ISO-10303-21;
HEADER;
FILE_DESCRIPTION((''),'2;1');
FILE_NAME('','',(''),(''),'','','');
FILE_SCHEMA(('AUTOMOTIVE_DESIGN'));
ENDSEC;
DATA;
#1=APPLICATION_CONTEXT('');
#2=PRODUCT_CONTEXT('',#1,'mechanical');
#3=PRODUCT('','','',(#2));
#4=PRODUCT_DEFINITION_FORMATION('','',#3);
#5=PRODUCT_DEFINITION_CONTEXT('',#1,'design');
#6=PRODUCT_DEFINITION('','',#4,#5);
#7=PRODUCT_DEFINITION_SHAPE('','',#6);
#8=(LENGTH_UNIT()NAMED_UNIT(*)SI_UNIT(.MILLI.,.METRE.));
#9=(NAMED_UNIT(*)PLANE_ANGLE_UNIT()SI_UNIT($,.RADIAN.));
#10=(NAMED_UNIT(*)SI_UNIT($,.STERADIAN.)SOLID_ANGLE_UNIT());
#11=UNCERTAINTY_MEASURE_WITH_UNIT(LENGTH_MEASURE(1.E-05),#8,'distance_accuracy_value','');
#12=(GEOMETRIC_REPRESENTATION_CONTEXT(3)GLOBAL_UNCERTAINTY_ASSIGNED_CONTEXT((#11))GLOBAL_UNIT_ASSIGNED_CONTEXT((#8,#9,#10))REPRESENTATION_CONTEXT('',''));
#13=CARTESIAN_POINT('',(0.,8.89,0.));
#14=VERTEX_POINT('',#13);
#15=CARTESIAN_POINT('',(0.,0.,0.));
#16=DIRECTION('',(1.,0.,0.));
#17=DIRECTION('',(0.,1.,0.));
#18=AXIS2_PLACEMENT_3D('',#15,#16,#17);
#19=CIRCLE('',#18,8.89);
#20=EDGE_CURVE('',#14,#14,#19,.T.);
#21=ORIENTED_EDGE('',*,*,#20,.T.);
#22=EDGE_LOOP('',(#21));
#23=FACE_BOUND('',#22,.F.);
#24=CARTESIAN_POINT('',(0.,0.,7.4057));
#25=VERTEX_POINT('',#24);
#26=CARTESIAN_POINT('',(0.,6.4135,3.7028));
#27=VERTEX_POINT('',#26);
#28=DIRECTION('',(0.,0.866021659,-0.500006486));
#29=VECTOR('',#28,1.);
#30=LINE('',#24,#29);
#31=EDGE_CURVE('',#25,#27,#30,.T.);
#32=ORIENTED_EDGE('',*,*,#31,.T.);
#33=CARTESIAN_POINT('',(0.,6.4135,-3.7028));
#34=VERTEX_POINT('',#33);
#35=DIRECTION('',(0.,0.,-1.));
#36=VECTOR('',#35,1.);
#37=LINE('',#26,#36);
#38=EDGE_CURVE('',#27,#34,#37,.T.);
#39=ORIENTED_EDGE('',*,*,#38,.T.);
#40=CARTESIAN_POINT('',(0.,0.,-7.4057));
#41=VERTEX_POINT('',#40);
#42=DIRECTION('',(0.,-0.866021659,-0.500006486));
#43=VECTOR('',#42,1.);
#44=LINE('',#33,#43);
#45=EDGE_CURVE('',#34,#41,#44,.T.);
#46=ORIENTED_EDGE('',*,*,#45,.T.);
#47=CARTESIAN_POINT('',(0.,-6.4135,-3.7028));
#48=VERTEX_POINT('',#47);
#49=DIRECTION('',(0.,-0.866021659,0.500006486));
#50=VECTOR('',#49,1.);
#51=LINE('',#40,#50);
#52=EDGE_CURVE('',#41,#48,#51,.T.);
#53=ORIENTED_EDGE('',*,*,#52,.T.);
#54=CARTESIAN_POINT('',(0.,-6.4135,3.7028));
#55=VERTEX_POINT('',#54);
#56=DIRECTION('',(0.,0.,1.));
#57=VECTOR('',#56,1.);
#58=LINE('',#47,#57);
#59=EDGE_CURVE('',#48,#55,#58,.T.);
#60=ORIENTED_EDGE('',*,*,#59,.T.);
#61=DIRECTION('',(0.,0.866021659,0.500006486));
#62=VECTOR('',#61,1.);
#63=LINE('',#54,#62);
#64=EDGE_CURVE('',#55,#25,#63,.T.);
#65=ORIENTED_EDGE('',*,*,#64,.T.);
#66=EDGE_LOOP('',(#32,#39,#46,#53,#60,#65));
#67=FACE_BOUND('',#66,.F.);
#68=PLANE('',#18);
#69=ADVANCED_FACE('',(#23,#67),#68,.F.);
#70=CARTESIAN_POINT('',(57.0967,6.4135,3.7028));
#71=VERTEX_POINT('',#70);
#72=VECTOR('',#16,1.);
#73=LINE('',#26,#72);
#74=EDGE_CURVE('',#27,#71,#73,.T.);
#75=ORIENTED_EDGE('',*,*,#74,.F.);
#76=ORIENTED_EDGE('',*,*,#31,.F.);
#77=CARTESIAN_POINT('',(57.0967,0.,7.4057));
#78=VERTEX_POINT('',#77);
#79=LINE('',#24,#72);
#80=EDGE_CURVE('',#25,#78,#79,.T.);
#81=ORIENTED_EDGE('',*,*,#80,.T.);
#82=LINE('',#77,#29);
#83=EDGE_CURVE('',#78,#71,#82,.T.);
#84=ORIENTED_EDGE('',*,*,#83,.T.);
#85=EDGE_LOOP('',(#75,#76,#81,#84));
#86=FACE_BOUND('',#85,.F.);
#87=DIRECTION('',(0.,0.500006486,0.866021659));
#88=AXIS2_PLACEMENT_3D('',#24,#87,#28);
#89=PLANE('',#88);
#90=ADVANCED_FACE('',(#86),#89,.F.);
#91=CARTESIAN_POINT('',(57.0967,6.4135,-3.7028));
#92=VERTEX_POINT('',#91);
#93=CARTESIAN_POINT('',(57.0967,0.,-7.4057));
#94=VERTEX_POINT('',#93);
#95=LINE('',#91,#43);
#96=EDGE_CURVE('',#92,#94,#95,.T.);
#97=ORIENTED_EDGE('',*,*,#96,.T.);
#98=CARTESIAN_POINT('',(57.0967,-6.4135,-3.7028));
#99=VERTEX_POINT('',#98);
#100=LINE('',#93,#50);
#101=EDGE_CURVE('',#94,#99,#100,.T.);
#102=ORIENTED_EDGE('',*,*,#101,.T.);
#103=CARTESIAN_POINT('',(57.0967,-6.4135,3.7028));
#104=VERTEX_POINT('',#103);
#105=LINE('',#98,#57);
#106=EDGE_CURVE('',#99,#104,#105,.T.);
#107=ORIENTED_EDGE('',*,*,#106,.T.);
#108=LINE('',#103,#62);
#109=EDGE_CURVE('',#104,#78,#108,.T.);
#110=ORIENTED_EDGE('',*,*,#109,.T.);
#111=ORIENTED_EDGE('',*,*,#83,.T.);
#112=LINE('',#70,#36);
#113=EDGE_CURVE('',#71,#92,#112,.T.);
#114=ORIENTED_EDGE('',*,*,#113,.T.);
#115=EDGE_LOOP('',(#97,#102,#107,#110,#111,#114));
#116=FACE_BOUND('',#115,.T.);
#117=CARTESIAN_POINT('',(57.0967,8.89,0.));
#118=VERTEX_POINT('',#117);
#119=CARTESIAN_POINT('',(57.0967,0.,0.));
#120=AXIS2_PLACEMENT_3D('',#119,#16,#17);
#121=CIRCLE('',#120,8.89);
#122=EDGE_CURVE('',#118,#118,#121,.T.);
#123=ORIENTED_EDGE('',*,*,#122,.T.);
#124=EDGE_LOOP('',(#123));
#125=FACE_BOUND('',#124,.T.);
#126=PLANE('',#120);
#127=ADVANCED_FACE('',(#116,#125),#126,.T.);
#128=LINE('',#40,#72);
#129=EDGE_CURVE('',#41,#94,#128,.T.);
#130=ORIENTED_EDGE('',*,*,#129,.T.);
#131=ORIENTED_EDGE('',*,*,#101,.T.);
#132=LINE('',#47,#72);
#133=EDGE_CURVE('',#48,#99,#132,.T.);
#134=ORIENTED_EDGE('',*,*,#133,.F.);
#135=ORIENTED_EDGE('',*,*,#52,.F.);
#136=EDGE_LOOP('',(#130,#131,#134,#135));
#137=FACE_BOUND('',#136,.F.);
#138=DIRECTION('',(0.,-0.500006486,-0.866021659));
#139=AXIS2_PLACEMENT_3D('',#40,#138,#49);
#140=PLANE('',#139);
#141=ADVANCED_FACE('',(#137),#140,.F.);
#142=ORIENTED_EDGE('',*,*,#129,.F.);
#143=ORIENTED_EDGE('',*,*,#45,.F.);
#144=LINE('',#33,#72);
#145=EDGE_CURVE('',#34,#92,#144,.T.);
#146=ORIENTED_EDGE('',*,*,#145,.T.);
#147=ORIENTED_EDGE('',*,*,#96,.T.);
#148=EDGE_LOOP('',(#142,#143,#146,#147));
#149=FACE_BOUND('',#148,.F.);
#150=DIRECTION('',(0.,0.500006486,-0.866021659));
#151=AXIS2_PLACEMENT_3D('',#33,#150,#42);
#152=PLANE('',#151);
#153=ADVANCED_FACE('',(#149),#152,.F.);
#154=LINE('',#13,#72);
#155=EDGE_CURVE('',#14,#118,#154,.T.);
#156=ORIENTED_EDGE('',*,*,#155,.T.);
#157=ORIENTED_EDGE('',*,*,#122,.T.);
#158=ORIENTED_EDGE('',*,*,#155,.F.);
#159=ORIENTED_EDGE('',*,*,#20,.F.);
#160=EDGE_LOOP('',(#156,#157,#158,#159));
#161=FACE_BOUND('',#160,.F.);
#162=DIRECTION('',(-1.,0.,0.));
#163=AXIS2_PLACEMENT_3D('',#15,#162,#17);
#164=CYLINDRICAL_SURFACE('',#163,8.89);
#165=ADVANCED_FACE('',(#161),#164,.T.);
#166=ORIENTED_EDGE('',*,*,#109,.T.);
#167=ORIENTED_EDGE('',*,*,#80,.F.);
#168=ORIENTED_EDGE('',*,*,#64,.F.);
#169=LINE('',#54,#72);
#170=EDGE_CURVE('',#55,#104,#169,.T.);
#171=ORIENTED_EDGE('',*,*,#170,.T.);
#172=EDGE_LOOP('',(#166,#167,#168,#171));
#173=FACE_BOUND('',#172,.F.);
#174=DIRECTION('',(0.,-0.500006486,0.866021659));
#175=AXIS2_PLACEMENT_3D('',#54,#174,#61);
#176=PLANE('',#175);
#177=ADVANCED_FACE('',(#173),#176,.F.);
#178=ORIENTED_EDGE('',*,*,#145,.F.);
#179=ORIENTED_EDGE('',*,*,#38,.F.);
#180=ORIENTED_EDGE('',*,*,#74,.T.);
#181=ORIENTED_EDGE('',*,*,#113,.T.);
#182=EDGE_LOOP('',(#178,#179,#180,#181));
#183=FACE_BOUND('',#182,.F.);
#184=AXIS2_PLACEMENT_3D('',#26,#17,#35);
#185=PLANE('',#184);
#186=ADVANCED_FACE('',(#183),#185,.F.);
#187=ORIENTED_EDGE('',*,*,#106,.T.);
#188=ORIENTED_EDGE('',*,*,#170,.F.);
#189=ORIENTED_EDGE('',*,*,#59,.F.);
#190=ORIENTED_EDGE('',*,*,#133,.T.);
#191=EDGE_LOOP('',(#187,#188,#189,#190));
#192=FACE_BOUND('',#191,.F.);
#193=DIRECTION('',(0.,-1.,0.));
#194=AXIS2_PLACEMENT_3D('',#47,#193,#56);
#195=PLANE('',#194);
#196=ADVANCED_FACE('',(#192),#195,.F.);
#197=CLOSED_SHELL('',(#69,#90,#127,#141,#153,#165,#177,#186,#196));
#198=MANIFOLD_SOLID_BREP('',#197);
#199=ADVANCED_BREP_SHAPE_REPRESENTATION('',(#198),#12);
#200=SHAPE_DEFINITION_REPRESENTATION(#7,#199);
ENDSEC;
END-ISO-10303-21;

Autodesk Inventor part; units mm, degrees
ref_plane "YZ Plane" through (0, 0, 0) normal (1, 0, 0) x (0, 1, 0)
ref_plane "XZ Plane" through (0, 0, 0) normal (0, 1, 0) x (-1, 0, 0)
ref_plane "XY Plane" through (0, 0, 0) normal (0, 0, 1) x (1, 0, 0)
sketch "Sketch1" plane through (0, 0, 0) normal (1, 0, 0) x (0, 1, 0)
  line L0 (-6.4135, -3.7028) -> (-6.4135, 3.7028)
  line L1 (-6.4135, 3.7028) -> (0, 7.4057)
  line L2 (0, 7.4057) -> (6.4135, 3.7028)
  line L3 (6.4135, 3.7028) -> (6.4135, -3.7028)
  line L4 (6.4135, -3.7028) -> (0, -7.4057)
  line L5 (0, -7.4057) -> (-6.4135, -3.7028)
  circle A0 centre (0, 0) radius 8.89
  dimension "d0" = 12.827
  dimension "d1" = 17.78
extrude "Extrusion1" add sketch "Sketch1" along normal blind 57.0967
properties part number "3DPRINT,BACKROLLERS,OPENSIDE,SPACER" material "ABS Plastic"
